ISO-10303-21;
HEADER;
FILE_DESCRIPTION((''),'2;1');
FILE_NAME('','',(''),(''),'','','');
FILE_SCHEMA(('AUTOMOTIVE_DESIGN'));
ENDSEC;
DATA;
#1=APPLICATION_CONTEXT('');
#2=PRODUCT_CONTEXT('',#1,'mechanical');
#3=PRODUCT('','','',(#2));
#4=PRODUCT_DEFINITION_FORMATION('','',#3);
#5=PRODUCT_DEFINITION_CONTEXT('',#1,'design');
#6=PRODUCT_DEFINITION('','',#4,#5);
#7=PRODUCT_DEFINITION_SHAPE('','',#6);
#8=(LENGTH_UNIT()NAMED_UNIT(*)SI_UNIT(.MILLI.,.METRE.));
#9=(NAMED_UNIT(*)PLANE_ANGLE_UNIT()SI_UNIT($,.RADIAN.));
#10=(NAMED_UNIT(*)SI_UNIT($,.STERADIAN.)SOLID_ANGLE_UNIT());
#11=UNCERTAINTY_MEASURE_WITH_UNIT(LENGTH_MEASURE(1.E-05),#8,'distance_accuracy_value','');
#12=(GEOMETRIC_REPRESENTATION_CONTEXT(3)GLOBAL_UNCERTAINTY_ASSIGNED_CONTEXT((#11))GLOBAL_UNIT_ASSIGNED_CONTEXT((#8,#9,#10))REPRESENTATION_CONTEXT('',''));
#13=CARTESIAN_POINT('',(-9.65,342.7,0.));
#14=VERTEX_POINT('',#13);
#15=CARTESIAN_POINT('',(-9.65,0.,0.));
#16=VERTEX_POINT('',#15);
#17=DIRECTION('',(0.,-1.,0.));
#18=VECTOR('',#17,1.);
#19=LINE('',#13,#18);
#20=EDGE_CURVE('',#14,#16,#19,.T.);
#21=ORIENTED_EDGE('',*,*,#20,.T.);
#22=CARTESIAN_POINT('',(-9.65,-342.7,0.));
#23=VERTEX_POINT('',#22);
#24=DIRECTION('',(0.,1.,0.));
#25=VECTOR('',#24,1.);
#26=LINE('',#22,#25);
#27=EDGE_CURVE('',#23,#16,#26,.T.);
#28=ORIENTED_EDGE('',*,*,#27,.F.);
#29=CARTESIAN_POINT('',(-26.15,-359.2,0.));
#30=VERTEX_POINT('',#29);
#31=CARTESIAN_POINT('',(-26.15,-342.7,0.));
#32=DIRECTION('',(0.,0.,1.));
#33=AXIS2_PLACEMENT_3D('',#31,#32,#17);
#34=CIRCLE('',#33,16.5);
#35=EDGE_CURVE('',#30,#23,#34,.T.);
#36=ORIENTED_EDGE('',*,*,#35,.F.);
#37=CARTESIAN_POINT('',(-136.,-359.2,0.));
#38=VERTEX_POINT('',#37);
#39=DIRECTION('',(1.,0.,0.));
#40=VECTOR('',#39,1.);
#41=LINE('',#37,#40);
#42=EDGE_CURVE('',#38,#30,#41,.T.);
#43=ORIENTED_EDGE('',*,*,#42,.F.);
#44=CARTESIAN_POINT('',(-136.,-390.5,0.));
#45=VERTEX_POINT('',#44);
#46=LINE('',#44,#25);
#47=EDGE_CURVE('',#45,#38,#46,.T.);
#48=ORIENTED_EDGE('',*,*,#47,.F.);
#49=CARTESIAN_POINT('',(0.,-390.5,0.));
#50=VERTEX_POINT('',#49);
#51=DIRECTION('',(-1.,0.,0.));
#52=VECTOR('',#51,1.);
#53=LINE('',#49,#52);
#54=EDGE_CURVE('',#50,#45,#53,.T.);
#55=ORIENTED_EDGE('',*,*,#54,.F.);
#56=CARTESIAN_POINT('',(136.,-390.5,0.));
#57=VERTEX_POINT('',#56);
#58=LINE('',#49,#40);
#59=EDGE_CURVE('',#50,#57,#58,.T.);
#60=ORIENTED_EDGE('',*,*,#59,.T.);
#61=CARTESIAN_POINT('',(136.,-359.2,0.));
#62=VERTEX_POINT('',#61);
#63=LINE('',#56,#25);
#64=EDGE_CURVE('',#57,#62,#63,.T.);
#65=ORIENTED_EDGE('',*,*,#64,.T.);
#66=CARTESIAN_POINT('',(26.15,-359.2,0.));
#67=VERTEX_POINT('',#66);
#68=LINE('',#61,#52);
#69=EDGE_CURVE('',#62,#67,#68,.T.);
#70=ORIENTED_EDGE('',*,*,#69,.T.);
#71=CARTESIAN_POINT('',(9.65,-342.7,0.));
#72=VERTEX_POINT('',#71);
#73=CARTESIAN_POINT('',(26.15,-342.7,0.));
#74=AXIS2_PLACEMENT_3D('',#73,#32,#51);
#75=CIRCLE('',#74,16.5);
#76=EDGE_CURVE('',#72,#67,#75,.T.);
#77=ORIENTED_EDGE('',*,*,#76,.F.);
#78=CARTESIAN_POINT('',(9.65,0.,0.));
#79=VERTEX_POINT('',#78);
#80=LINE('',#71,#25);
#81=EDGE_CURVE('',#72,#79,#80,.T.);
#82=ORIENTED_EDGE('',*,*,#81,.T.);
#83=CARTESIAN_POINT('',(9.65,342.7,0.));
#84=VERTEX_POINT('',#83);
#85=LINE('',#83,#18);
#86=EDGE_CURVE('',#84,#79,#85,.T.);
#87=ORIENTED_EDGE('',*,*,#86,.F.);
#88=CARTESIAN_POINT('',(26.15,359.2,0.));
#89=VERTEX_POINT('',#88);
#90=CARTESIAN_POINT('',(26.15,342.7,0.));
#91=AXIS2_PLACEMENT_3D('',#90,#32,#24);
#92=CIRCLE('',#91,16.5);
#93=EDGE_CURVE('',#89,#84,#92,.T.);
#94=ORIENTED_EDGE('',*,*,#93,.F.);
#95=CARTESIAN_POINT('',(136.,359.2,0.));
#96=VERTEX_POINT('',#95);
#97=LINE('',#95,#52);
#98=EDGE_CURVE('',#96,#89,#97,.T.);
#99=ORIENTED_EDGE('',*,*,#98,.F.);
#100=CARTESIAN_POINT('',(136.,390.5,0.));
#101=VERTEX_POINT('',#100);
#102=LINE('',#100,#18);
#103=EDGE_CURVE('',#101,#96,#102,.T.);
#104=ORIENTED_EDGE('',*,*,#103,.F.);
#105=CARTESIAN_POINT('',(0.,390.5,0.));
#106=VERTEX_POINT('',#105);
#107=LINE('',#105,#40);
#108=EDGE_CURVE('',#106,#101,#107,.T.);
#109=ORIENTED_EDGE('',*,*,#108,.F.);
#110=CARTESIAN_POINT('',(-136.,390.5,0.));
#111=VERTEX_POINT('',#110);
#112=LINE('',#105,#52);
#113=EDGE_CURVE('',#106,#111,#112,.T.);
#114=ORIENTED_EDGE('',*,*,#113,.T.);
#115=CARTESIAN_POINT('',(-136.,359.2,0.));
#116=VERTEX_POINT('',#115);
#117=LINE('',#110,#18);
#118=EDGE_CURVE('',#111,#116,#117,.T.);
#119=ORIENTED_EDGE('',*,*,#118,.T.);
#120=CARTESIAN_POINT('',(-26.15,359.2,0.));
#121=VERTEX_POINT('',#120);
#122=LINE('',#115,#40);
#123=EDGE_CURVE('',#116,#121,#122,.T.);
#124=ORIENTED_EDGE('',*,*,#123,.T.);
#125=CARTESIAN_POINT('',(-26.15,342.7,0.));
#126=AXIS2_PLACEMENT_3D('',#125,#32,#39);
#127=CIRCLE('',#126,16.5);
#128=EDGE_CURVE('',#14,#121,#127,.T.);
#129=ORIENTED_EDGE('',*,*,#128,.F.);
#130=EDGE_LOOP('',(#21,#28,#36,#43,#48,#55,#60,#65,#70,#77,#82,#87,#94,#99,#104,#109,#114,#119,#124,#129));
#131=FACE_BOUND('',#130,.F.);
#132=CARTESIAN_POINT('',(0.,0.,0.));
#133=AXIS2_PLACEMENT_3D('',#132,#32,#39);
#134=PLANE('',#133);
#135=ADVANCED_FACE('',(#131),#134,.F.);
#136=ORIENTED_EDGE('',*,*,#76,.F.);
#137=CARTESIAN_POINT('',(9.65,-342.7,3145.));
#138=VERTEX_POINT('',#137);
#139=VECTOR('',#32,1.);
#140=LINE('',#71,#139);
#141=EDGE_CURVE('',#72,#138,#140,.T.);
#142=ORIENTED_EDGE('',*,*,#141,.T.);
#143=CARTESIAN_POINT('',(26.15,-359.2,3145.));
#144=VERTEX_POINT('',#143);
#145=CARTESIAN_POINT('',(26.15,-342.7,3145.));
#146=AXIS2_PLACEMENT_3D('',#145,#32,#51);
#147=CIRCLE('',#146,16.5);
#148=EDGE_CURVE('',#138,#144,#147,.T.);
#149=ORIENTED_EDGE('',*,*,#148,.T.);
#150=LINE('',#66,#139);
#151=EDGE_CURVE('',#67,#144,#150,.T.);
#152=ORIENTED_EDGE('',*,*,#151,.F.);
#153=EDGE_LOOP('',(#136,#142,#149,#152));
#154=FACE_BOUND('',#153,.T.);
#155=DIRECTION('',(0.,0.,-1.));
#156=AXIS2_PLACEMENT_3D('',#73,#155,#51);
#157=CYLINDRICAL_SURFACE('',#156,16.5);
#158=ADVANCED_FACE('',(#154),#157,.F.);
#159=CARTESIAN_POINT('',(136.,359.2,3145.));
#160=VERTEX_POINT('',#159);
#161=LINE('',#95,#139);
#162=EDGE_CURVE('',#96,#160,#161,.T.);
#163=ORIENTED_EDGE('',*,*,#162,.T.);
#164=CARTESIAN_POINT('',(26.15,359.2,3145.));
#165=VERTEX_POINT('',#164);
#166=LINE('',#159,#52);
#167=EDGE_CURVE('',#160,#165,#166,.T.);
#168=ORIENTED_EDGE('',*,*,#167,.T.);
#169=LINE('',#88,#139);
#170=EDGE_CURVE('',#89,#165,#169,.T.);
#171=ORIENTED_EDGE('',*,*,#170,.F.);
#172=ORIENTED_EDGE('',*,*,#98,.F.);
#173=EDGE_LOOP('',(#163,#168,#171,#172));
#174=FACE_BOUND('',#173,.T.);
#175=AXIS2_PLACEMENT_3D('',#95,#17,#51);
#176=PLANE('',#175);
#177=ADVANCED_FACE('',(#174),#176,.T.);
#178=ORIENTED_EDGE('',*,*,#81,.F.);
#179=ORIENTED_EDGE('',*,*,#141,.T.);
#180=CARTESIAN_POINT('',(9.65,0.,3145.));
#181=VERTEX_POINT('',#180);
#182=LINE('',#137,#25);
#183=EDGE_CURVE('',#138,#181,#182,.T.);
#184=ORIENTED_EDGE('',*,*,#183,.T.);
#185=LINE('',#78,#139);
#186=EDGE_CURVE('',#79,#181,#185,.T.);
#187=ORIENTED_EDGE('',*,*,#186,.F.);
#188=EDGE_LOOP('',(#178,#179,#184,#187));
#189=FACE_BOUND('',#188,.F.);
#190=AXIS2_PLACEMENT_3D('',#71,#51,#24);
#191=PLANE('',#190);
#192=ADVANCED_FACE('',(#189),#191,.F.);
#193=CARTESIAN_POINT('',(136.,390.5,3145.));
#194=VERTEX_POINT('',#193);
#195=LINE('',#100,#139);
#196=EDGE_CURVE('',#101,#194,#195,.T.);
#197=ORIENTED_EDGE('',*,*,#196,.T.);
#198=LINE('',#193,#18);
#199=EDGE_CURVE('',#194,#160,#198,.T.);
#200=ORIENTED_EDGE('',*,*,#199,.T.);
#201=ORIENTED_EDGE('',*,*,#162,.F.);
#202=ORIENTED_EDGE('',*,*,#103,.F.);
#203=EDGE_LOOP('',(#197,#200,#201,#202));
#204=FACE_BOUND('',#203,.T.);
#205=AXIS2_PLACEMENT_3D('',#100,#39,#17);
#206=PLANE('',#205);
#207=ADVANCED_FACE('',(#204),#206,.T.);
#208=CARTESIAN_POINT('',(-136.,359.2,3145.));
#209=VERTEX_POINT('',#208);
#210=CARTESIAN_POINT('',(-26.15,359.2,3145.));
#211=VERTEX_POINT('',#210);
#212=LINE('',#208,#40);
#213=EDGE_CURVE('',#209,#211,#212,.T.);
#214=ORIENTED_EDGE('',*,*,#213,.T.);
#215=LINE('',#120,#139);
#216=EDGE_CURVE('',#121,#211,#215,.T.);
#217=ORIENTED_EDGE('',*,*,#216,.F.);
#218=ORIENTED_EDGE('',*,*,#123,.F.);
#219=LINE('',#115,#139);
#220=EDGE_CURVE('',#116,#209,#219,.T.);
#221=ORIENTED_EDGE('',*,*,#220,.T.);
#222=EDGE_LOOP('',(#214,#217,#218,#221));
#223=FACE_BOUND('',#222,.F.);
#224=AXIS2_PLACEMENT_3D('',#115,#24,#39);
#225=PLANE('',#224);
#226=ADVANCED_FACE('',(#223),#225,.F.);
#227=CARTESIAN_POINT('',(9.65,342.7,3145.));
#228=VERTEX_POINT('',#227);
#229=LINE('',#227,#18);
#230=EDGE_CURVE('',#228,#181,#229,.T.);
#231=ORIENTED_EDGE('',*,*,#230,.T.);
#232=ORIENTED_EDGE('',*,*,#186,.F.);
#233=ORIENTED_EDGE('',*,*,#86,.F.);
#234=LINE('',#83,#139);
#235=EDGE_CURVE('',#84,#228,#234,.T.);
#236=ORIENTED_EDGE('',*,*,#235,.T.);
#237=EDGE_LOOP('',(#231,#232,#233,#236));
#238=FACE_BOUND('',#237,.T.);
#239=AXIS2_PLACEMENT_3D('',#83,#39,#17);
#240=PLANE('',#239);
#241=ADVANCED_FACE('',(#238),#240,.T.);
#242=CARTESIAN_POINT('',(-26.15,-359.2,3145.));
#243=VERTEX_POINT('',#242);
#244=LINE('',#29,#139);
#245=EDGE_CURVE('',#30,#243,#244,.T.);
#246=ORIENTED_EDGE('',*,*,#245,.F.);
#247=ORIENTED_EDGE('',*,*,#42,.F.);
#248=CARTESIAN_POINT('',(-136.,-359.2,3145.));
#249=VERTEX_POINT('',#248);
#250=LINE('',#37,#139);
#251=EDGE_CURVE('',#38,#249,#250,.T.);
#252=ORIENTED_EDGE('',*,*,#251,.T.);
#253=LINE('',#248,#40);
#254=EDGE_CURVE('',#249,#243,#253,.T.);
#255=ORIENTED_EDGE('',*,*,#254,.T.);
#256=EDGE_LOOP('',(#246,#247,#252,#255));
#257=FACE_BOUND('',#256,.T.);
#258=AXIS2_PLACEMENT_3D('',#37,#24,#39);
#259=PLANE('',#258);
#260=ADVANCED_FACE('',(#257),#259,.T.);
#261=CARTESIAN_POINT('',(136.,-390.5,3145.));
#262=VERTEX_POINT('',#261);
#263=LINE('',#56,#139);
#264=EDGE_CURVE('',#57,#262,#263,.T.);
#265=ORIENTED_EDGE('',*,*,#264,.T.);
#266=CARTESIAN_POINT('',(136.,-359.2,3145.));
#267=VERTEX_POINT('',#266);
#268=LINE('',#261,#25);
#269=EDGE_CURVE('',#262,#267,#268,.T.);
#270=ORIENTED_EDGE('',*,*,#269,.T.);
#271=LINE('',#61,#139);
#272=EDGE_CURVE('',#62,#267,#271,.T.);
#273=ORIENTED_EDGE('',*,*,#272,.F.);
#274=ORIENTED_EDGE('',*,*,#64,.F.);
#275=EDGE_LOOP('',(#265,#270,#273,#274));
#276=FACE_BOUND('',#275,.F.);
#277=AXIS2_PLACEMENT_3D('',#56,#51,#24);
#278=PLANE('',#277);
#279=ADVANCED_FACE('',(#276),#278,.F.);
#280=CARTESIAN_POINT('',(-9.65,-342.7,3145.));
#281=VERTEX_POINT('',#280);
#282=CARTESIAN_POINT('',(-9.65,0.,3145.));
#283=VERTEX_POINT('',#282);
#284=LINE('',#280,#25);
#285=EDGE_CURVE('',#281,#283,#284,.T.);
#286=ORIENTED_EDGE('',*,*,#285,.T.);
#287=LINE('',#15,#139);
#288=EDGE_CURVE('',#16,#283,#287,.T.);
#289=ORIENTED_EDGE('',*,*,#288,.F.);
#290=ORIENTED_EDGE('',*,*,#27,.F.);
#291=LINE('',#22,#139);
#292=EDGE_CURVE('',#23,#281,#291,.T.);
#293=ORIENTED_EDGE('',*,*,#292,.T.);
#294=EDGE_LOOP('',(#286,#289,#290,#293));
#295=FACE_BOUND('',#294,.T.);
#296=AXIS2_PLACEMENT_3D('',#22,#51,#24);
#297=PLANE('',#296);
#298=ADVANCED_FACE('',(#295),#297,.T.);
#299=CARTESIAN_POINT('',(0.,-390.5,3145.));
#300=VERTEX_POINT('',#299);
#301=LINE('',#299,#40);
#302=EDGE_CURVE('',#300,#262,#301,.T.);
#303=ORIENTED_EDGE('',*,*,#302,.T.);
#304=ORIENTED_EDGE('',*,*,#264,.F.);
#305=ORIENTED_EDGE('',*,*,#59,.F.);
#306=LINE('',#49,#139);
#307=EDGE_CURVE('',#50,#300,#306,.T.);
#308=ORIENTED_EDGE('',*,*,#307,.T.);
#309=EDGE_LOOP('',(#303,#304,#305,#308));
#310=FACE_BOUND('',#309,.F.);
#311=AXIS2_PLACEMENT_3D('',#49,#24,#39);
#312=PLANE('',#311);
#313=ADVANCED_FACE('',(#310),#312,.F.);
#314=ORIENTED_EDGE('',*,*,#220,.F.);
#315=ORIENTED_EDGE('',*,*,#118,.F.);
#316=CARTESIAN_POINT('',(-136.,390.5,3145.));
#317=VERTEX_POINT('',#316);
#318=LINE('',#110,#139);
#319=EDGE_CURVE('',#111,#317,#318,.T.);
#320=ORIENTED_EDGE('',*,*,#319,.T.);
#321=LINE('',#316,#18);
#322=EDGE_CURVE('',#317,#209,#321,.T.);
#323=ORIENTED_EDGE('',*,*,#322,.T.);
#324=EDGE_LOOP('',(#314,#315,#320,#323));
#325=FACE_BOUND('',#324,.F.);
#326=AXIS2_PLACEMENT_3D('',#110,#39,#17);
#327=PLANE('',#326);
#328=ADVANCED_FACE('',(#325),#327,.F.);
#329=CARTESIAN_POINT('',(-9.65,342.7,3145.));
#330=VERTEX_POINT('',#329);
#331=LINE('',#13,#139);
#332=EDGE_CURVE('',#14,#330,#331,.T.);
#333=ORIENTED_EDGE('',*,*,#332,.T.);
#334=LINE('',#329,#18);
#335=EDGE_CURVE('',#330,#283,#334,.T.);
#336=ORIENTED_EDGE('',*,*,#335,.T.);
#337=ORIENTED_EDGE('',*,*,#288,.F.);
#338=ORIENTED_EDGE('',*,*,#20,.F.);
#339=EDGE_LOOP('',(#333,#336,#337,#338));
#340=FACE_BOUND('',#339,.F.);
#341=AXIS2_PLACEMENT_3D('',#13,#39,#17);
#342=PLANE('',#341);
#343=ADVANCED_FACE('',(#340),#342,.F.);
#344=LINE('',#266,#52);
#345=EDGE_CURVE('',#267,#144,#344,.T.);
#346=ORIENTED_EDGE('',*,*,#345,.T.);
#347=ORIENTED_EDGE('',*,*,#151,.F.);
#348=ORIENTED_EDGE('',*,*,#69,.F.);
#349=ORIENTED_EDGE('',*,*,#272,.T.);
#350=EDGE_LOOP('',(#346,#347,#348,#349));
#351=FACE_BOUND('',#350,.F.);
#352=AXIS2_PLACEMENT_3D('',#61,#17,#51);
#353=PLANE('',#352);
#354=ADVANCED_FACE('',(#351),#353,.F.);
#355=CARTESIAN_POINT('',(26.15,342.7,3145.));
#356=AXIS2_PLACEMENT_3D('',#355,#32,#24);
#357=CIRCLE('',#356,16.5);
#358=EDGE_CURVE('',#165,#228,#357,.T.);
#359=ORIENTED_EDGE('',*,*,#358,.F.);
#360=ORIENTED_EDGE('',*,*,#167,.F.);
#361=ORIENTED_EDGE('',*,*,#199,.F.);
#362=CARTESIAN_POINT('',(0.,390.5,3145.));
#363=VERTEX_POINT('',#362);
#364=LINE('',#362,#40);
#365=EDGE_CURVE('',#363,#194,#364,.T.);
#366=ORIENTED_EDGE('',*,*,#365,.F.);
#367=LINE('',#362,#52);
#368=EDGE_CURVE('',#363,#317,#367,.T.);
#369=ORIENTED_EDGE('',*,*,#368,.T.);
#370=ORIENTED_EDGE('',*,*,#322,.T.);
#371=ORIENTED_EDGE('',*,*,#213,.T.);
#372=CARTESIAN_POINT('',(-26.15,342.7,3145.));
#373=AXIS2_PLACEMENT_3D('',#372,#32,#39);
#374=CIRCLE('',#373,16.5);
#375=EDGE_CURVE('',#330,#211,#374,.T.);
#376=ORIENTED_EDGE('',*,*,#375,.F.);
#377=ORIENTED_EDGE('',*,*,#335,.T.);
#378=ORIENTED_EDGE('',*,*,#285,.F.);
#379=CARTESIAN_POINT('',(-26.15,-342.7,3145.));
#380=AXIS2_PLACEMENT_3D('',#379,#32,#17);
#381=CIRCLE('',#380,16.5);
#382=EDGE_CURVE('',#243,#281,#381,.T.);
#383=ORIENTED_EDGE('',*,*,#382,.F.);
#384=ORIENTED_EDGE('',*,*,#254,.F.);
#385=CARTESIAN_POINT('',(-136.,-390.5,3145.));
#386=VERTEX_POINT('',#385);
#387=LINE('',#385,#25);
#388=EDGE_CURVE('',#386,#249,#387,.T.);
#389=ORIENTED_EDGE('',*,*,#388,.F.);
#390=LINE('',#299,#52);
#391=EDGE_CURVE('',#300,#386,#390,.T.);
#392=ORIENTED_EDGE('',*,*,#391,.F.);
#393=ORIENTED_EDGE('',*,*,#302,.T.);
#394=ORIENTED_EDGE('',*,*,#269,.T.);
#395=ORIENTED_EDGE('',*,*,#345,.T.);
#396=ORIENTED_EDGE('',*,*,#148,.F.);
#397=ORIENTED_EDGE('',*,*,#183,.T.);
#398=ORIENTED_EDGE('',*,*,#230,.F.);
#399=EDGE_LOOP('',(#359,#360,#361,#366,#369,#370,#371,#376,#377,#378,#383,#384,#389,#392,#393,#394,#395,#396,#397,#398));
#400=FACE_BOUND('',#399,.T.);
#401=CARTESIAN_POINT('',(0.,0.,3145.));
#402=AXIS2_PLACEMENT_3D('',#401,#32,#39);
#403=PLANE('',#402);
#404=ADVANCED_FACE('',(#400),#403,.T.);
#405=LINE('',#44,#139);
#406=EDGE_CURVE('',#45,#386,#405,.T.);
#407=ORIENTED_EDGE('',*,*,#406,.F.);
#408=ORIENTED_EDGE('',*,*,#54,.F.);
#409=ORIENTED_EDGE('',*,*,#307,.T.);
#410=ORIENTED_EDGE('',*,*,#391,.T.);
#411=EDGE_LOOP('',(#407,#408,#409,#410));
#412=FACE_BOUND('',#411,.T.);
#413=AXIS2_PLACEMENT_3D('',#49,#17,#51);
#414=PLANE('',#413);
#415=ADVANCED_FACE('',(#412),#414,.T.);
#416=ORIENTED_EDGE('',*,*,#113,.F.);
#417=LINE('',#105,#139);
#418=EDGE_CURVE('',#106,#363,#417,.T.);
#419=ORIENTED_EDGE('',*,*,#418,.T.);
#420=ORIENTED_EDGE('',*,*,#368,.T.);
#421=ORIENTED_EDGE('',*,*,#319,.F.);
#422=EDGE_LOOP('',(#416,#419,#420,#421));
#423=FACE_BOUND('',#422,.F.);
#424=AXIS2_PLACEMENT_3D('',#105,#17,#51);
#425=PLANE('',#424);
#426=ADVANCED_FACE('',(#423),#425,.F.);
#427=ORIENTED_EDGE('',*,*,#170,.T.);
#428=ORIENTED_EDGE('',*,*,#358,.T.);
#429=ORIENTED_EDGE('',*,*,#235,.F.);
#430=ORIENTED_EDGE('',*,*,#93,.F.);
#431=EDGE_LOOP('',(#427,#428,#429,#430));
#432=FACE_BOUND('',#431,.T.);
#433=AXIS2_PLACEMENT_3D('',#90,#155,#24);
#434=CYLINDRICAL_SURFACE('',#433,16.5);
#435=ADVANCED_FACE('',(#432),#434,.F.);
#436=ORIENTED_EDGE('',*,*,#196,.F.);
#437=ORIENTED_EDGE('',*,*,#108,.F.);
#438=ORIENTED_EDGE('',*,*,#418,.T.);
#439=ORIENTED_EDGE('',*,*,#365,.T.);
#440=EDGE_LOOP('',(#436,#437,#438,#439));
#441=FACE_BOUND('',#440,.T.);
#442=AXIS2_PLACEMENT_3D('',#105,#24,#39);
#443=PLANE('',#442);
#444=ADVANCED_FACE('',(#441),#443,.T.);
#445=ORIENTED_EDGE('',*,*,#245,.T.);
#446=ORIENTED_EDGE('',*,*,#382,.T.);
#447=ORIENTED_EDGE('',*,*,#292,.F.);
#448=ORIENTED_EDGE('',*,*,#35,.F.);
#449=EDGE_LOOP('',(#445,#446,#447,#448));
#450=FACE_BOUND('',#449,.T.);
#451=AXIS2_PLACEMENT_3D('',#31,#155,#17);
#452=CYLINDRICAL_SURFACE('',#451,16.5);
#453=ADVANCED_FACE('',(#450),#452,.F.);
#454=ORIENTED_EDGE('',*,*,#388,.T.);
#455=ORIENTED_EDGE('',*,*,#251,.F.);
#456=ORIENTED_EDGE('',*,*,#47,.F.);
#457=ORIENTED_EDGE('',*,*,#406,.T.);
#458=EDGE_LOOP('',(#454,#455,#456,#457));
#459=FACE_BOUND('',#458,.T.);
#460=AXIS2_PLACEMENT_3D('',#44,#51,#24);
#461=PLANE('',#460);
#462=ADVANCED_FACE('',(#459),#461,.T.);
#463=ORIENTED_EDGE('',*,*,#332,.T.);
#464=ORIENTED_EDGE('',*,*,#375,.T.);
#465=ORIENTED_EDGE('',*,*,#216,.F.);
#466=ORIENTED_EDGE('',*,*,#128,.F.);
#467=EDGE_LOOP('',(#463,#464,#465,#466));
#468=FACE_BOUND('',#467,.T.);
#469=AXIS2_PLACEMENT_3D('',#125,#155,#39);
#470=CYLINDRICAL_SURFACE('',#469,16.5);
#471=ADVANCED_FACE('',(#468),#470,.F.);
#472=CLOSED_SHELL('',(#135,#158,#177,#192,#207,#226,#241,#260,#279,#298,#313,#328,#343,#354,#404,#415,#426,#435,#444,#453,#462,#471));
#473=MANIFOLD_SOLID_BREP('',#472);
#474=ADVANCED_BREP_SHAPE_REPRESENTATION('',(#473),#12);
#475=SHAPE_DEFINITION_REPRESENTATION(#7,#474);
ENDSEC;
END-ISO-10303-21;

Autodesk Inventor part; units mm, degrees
ref_plane "YZ Plane" through (0, 0, 0) normal (1, 0, 0) x (0, 1, 0)
ref_plane "Start plane" through (0, 0, 0) normal (0, 0, 1) x (1, 0, 0)
ref_plane "End plane" through (0, 0, 3145) normal (0, 0, 1) x (1, 0, 0)
sketch "Sketch" plane through (0, 0, 0) normal (0, 0, 1) x (1, 0, 0)
  line L0 (-136, -390.5) -> (-136, -359.2)
  line L1 (-136, -359.2) -> (-26.15, -359.2)
  line L2 (-9.65, -342.7) -> (-9.65, 0)
  line L3 (-9.65, 0) -> (0, 0) construction
  line L4 (0, 0) -> (0, -390.5) construction
  line L5 (0, -390.5) -> (-136, -390.5)
  line L6 (-60, 0) -> (80, 0) construction
  line L7 (0, -60) -> (0, 80) construction
  line L8 (136, -390.5) -> (136, -359.2)
  line L9 (136, -359.2) -> (26.15, -359.2)
  line L10 (9.65, -342.7) -> (9.65, 0)
  line L11 (9.65, 0) -> (0, 0) construction
  line L12 (0, -390.5) -> (136, -390.5)
  line L13 (-136, 390.5) -> (-136, 359.2)
  line L14 (-136, 359.2) -> (-26.15, 359.2)
  line L15 (-9.65, 342.7) -> (-9.65, 0)
  line L16 (0, 390.5) -> (-136, 390.5)
  line L17 (136, 390.5) -> (136, 359.2)
  line L18 (136, 359.2) -> (26.15, 359.2)
  line L19 (0, 390.5) -> (136, 390.5)
  line L20 (9.65, 342.7) -> (9.65, 0)
  arc A0 (-9.65, 342.7) -> (-26.15, 359.2) centre (-26.15, 342.7) ccw
  arc A1 (26.15, 359.2) -> (9.65, 342.7) centre (26.15, 342.7) ccw
  arc A2 (9.65, -342.7) -> (26.15, -359.2) centre (26.15, -342.7) ccw
  arc A3 (-26.15, -359.2) -> (-9.65, -342.7) centre (-26.15, -342.7) ccw
  line L21 (0, 108) -> (0, -88) construction
  line L22 (-88, 0) -> (108, 0) construction
  point P0 (-9.65, -359.2)
  point P1 (9.65, -359.2)
  point P2 (-9.65, 359.2)
  point P3 (9.65, 359.2)
  dimension "d1" = 390.5
  dimension "d2" = 31.3
  dimension "d3" = 136
  dimension "d4" = 9.65
  dimension "d10" = 16.5
extrude "Body" add sketch "Sketch" along normal up to surface (3145 mm away) from surface at 0
sketch "Sketch4" plane through (0, 0, 0) normal (0, 0, 1) x (1, 0, 0)
  line L0 (0, 0) -> (10, 0)
ref_plane "Work Plane3" through (0, 0, 0) normal (0, -1, 0) x (1, 0, 0)
sketch "Sketch5" plane through (0, 0, 0) normal (0, -1, 0) x (1, 0, 0)
  line L0 (-2, 0) -> (12, 0) projected
  line L1 (-2, 3145) -> (12, 3145) projected
  dimension "d14" = 3145
equation "\"d1\" = 0.5 * G_H"
equation "\"d2\" = G_T1"
equation "\"d3\" = 0.5 * G_W"
equation "\"d4\" = 0.5 * G_T"
equation "\"d10\" = G_IR"
equation "\"d5\" = G_L"
equation "\"G_W\" = 272"
equation "\"G_H\" = 781"
equation "\"G_T\" = 19.3"
equation "\"G_T1\" = 31.3"
equation "\"G_IR\" = 16.5"
equation "\"G_L\" = d14"
equation "\"G_OFFSET_START\" = 0"
equation "\"G_OFFSET_END\" = 0"
equation "\"d12\" = G_OFFSET_END + B_L"
equation "\"B_L\" = 3145"
properties part number "AS 3679-1990 - 760 UB - 244 - 3145" material "Steel, Mild"
